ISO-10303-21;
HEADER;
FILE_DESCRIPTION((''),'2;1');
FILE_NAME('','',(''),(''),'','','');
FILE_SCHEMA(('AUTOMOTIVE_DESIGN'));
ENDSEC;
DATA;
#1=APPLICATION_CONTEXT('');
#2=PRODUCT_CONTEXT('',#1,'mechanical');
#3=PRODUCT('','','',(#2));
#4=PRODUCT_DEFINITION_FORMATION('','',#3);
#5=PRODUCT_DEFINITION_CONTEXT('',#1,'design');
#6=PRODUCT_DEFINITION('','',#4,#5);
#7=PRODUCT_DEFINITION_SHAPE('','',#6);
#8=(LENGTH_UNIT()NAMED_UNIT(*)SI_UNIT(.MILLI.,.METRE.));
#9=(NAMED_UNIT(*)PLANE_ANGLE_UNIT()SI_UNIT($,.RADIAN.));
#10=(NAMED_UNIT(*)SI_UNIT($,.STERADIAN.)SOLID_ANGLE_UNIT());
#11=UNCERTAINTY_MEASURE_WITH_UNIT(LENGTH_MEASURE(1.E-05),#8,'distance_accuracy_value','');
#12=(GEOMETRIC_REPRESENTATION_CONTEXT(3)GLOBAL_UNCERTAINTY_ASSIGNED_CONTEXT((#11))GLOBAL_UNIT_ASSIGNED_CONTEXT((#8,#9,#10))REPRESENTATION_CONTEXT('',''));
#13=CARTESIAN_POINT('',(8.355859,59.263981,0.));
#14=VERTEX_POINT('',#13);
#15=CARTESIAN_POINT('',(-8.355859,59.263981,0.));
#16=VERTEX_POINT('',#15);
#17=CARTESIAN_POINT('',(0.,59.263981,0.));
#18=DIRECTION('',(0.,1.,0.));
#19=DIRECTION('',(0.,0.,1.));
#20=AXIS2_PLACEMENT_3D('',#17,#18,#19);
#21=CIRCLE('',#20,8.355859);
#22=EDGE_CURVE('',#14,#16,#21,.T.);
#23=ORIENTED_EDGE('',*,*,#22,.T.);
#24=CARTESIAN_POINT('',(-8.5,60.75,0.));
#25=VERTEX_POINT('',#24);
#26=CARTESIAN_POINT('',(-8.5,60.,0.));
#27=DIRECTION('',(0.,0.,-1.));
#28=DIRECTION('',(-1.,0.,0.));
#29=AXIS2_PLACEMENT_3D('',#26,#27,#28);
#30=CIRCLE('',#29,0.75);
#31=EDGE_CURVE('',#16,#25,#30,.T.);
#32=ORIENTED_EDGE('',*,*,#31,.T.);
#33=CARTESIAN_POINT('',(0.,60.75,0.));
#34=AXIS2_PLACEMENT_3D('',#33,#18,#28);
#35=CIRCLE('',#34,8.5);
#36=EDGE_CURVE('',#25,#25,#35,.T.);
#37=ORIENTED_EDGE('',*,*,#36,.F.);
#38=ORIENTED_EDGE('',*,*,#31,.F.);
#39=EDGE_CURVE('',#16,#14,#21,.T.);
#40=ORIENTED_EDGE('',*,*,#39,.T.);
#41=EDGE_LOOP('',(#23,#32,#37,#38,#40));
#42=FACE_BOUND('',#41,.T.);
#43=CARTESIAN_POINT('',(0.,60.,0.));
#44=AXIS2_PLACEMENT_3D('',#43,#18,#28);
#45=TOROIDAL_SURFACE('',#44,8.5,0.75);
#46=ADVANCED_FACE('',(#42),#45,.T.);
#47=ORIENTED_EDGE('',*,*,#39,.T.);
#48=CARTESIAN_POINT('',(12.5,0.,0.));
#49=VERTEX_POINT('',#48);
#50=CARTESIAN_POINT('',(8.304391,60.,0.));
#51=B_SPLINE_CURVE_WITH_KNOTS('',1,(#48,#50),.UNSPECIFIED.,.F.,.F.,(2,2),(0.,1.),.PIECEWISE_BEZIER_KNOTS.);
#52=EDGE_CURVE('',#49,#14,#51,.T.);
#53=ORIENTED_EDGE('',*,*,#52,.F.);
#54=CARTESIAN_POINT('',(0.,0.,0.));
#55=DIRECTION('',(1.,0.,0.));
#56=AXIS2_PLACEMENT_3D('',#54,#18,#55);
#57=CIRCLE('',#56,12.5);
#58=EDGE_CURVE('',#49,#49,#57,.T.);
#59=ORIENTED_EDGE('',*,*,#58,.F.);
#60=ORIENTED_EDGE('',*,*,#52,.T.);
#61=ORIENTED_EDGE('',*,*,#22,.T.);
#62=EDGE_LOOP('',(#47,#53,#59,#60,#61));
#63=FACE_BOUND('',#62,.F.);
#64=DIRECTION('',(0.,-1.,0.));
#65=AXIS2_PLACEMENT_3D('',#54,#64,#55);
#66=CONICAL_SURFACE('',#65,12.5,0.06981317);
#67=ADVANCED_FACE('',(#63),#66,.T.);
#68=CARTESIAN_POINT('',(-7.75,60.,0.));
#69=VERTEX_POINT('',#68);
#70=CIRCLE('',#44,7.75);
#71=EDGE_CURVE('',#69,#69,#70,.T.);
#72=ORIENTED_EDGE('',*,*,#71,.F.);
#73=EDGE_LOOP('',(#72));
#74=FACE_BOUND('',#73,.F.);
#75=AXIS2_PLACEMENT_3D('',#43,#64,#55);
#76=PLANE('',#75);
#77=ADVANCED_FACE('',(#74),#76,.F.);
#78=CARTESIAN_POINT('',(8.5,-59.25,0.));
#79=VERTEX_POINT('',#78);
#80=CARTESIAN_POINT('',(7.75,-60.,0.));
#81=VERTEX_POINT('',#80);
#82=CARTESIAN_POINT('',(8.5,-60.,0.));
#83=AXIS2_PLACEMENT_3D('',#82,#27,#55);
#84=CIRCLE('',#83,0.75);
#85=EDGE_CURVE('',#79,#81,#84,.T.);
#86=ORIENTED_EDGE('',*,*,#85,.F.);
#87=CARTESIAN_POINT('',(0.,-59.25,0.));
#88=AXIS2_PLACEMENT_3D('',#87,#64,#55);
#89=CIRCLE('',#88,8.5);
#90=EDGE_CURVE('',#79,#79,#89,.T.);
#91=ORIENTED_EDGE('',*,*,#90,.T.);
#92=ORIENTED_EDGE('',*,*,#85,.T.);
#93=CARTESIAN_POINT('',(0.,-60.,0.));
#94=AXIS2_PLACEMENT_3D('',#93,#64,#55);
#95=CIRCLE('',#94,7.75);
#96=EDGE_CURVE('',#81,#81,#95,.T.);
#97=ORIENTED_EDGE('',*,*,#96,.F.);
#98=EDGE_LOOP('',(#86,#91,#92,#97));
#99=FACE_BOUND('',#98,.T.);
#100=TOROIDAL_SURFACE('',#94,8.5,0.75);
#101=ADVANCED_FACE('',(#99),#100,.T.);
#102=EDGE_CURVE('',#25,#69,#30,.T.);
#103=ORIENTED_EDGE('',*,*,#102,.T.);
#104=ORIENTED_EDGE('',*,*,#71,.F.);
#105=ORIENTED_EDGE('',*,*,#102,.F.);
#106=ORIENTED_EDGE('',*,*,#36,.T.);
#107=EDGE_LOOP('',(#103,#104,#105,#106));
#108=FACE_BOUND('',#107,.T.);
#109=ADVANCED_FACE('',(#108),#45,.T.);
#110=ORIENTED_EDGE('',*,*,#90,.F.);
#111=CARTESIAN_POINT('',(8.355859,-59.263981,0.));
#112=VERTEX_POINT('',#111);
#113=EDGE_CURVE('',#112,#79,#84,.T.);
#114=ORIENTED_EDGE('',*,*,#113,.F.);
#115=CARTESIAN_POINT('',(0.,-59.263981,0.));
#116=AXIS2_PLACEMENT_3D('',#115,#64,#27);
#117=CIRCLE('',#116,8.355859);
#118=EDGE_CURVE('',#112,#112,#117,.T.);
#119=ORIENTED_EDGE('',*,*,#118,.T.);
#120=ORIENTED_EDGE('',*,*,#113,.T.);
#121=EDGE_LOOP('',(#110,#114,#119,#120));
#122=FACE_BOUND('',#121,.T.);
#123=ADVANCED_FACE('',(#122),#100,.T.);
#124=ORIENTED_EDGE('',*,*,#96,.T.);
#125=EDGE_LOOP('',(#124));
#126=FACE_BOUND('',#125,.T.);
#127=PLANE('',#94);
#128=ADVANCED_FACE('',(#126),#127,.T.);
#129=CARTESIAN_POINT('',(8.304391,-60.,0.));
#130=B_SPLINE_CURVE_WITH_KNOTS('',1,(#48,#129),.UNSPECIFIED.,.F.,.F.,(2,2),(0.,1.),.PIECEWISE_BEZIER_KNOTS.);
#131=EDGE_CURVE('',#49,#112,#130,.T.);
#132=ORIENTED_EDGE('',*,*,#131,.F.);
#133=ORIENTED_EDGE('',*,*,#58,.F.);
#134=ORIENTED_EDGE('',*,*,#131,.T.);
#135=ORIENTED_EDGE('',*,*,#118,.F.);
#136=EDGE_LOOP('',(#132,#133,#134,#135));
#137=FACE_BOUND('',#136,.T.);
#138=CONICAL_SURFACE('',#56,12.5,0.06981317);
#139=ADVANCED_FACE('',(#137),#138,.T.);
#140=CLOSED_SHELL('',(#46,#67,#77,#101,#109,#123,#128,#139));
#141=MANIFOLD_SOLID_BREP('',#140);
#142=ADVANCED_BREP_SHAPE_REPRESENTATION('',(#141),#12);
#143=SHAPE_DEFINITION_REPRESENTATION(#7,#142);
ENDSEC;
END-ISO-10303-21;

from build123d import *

# Parameters (mm, degrees)
F0_R     = 12.5
F1_DEPTH = 60
F1_TAPER = 4
F3_R     = 0.75
F6_R     = 0.75


with BuildPart() as f1:
    # F0 (on Front) → F1 (new body, symmetric)
    with BuildSketch(Plane.XZ):
        Circle(F0_R)
    extrude(amount=F1_DEPTH, both=True, taper=F1_TAPER)

    # F4: sweep along a path in F2
    with BuildLine(Plane.XZ.offset(60)) as f4_path:
        CenterArc((0, 0), 8, 0, 360)
    # F3 (on Right) → F4 (sweep)
    with BuildSketch(Plane.YZ):
        with Locations((-60, 8.5)):
            Circle(F3_R)
    sweep(path=f4_path.line)

    # F7: sweep along a path in F5
    with BuildLine(Plane(origin=(0, 60, 0), x_dir=(-1, 0, 0), z_dir=(0, 1, 0))) as f7_path:
        CenterArc((0, 0), 8, 0, 360)
    # F6 (on Right) → F7 (sweep)
    with BuildSketch(Plane.YZ):
        with Locations((60, 8.5)):
            Circle(F6_R)
    sweep(path=f7_path.line)


solid = f1.part
